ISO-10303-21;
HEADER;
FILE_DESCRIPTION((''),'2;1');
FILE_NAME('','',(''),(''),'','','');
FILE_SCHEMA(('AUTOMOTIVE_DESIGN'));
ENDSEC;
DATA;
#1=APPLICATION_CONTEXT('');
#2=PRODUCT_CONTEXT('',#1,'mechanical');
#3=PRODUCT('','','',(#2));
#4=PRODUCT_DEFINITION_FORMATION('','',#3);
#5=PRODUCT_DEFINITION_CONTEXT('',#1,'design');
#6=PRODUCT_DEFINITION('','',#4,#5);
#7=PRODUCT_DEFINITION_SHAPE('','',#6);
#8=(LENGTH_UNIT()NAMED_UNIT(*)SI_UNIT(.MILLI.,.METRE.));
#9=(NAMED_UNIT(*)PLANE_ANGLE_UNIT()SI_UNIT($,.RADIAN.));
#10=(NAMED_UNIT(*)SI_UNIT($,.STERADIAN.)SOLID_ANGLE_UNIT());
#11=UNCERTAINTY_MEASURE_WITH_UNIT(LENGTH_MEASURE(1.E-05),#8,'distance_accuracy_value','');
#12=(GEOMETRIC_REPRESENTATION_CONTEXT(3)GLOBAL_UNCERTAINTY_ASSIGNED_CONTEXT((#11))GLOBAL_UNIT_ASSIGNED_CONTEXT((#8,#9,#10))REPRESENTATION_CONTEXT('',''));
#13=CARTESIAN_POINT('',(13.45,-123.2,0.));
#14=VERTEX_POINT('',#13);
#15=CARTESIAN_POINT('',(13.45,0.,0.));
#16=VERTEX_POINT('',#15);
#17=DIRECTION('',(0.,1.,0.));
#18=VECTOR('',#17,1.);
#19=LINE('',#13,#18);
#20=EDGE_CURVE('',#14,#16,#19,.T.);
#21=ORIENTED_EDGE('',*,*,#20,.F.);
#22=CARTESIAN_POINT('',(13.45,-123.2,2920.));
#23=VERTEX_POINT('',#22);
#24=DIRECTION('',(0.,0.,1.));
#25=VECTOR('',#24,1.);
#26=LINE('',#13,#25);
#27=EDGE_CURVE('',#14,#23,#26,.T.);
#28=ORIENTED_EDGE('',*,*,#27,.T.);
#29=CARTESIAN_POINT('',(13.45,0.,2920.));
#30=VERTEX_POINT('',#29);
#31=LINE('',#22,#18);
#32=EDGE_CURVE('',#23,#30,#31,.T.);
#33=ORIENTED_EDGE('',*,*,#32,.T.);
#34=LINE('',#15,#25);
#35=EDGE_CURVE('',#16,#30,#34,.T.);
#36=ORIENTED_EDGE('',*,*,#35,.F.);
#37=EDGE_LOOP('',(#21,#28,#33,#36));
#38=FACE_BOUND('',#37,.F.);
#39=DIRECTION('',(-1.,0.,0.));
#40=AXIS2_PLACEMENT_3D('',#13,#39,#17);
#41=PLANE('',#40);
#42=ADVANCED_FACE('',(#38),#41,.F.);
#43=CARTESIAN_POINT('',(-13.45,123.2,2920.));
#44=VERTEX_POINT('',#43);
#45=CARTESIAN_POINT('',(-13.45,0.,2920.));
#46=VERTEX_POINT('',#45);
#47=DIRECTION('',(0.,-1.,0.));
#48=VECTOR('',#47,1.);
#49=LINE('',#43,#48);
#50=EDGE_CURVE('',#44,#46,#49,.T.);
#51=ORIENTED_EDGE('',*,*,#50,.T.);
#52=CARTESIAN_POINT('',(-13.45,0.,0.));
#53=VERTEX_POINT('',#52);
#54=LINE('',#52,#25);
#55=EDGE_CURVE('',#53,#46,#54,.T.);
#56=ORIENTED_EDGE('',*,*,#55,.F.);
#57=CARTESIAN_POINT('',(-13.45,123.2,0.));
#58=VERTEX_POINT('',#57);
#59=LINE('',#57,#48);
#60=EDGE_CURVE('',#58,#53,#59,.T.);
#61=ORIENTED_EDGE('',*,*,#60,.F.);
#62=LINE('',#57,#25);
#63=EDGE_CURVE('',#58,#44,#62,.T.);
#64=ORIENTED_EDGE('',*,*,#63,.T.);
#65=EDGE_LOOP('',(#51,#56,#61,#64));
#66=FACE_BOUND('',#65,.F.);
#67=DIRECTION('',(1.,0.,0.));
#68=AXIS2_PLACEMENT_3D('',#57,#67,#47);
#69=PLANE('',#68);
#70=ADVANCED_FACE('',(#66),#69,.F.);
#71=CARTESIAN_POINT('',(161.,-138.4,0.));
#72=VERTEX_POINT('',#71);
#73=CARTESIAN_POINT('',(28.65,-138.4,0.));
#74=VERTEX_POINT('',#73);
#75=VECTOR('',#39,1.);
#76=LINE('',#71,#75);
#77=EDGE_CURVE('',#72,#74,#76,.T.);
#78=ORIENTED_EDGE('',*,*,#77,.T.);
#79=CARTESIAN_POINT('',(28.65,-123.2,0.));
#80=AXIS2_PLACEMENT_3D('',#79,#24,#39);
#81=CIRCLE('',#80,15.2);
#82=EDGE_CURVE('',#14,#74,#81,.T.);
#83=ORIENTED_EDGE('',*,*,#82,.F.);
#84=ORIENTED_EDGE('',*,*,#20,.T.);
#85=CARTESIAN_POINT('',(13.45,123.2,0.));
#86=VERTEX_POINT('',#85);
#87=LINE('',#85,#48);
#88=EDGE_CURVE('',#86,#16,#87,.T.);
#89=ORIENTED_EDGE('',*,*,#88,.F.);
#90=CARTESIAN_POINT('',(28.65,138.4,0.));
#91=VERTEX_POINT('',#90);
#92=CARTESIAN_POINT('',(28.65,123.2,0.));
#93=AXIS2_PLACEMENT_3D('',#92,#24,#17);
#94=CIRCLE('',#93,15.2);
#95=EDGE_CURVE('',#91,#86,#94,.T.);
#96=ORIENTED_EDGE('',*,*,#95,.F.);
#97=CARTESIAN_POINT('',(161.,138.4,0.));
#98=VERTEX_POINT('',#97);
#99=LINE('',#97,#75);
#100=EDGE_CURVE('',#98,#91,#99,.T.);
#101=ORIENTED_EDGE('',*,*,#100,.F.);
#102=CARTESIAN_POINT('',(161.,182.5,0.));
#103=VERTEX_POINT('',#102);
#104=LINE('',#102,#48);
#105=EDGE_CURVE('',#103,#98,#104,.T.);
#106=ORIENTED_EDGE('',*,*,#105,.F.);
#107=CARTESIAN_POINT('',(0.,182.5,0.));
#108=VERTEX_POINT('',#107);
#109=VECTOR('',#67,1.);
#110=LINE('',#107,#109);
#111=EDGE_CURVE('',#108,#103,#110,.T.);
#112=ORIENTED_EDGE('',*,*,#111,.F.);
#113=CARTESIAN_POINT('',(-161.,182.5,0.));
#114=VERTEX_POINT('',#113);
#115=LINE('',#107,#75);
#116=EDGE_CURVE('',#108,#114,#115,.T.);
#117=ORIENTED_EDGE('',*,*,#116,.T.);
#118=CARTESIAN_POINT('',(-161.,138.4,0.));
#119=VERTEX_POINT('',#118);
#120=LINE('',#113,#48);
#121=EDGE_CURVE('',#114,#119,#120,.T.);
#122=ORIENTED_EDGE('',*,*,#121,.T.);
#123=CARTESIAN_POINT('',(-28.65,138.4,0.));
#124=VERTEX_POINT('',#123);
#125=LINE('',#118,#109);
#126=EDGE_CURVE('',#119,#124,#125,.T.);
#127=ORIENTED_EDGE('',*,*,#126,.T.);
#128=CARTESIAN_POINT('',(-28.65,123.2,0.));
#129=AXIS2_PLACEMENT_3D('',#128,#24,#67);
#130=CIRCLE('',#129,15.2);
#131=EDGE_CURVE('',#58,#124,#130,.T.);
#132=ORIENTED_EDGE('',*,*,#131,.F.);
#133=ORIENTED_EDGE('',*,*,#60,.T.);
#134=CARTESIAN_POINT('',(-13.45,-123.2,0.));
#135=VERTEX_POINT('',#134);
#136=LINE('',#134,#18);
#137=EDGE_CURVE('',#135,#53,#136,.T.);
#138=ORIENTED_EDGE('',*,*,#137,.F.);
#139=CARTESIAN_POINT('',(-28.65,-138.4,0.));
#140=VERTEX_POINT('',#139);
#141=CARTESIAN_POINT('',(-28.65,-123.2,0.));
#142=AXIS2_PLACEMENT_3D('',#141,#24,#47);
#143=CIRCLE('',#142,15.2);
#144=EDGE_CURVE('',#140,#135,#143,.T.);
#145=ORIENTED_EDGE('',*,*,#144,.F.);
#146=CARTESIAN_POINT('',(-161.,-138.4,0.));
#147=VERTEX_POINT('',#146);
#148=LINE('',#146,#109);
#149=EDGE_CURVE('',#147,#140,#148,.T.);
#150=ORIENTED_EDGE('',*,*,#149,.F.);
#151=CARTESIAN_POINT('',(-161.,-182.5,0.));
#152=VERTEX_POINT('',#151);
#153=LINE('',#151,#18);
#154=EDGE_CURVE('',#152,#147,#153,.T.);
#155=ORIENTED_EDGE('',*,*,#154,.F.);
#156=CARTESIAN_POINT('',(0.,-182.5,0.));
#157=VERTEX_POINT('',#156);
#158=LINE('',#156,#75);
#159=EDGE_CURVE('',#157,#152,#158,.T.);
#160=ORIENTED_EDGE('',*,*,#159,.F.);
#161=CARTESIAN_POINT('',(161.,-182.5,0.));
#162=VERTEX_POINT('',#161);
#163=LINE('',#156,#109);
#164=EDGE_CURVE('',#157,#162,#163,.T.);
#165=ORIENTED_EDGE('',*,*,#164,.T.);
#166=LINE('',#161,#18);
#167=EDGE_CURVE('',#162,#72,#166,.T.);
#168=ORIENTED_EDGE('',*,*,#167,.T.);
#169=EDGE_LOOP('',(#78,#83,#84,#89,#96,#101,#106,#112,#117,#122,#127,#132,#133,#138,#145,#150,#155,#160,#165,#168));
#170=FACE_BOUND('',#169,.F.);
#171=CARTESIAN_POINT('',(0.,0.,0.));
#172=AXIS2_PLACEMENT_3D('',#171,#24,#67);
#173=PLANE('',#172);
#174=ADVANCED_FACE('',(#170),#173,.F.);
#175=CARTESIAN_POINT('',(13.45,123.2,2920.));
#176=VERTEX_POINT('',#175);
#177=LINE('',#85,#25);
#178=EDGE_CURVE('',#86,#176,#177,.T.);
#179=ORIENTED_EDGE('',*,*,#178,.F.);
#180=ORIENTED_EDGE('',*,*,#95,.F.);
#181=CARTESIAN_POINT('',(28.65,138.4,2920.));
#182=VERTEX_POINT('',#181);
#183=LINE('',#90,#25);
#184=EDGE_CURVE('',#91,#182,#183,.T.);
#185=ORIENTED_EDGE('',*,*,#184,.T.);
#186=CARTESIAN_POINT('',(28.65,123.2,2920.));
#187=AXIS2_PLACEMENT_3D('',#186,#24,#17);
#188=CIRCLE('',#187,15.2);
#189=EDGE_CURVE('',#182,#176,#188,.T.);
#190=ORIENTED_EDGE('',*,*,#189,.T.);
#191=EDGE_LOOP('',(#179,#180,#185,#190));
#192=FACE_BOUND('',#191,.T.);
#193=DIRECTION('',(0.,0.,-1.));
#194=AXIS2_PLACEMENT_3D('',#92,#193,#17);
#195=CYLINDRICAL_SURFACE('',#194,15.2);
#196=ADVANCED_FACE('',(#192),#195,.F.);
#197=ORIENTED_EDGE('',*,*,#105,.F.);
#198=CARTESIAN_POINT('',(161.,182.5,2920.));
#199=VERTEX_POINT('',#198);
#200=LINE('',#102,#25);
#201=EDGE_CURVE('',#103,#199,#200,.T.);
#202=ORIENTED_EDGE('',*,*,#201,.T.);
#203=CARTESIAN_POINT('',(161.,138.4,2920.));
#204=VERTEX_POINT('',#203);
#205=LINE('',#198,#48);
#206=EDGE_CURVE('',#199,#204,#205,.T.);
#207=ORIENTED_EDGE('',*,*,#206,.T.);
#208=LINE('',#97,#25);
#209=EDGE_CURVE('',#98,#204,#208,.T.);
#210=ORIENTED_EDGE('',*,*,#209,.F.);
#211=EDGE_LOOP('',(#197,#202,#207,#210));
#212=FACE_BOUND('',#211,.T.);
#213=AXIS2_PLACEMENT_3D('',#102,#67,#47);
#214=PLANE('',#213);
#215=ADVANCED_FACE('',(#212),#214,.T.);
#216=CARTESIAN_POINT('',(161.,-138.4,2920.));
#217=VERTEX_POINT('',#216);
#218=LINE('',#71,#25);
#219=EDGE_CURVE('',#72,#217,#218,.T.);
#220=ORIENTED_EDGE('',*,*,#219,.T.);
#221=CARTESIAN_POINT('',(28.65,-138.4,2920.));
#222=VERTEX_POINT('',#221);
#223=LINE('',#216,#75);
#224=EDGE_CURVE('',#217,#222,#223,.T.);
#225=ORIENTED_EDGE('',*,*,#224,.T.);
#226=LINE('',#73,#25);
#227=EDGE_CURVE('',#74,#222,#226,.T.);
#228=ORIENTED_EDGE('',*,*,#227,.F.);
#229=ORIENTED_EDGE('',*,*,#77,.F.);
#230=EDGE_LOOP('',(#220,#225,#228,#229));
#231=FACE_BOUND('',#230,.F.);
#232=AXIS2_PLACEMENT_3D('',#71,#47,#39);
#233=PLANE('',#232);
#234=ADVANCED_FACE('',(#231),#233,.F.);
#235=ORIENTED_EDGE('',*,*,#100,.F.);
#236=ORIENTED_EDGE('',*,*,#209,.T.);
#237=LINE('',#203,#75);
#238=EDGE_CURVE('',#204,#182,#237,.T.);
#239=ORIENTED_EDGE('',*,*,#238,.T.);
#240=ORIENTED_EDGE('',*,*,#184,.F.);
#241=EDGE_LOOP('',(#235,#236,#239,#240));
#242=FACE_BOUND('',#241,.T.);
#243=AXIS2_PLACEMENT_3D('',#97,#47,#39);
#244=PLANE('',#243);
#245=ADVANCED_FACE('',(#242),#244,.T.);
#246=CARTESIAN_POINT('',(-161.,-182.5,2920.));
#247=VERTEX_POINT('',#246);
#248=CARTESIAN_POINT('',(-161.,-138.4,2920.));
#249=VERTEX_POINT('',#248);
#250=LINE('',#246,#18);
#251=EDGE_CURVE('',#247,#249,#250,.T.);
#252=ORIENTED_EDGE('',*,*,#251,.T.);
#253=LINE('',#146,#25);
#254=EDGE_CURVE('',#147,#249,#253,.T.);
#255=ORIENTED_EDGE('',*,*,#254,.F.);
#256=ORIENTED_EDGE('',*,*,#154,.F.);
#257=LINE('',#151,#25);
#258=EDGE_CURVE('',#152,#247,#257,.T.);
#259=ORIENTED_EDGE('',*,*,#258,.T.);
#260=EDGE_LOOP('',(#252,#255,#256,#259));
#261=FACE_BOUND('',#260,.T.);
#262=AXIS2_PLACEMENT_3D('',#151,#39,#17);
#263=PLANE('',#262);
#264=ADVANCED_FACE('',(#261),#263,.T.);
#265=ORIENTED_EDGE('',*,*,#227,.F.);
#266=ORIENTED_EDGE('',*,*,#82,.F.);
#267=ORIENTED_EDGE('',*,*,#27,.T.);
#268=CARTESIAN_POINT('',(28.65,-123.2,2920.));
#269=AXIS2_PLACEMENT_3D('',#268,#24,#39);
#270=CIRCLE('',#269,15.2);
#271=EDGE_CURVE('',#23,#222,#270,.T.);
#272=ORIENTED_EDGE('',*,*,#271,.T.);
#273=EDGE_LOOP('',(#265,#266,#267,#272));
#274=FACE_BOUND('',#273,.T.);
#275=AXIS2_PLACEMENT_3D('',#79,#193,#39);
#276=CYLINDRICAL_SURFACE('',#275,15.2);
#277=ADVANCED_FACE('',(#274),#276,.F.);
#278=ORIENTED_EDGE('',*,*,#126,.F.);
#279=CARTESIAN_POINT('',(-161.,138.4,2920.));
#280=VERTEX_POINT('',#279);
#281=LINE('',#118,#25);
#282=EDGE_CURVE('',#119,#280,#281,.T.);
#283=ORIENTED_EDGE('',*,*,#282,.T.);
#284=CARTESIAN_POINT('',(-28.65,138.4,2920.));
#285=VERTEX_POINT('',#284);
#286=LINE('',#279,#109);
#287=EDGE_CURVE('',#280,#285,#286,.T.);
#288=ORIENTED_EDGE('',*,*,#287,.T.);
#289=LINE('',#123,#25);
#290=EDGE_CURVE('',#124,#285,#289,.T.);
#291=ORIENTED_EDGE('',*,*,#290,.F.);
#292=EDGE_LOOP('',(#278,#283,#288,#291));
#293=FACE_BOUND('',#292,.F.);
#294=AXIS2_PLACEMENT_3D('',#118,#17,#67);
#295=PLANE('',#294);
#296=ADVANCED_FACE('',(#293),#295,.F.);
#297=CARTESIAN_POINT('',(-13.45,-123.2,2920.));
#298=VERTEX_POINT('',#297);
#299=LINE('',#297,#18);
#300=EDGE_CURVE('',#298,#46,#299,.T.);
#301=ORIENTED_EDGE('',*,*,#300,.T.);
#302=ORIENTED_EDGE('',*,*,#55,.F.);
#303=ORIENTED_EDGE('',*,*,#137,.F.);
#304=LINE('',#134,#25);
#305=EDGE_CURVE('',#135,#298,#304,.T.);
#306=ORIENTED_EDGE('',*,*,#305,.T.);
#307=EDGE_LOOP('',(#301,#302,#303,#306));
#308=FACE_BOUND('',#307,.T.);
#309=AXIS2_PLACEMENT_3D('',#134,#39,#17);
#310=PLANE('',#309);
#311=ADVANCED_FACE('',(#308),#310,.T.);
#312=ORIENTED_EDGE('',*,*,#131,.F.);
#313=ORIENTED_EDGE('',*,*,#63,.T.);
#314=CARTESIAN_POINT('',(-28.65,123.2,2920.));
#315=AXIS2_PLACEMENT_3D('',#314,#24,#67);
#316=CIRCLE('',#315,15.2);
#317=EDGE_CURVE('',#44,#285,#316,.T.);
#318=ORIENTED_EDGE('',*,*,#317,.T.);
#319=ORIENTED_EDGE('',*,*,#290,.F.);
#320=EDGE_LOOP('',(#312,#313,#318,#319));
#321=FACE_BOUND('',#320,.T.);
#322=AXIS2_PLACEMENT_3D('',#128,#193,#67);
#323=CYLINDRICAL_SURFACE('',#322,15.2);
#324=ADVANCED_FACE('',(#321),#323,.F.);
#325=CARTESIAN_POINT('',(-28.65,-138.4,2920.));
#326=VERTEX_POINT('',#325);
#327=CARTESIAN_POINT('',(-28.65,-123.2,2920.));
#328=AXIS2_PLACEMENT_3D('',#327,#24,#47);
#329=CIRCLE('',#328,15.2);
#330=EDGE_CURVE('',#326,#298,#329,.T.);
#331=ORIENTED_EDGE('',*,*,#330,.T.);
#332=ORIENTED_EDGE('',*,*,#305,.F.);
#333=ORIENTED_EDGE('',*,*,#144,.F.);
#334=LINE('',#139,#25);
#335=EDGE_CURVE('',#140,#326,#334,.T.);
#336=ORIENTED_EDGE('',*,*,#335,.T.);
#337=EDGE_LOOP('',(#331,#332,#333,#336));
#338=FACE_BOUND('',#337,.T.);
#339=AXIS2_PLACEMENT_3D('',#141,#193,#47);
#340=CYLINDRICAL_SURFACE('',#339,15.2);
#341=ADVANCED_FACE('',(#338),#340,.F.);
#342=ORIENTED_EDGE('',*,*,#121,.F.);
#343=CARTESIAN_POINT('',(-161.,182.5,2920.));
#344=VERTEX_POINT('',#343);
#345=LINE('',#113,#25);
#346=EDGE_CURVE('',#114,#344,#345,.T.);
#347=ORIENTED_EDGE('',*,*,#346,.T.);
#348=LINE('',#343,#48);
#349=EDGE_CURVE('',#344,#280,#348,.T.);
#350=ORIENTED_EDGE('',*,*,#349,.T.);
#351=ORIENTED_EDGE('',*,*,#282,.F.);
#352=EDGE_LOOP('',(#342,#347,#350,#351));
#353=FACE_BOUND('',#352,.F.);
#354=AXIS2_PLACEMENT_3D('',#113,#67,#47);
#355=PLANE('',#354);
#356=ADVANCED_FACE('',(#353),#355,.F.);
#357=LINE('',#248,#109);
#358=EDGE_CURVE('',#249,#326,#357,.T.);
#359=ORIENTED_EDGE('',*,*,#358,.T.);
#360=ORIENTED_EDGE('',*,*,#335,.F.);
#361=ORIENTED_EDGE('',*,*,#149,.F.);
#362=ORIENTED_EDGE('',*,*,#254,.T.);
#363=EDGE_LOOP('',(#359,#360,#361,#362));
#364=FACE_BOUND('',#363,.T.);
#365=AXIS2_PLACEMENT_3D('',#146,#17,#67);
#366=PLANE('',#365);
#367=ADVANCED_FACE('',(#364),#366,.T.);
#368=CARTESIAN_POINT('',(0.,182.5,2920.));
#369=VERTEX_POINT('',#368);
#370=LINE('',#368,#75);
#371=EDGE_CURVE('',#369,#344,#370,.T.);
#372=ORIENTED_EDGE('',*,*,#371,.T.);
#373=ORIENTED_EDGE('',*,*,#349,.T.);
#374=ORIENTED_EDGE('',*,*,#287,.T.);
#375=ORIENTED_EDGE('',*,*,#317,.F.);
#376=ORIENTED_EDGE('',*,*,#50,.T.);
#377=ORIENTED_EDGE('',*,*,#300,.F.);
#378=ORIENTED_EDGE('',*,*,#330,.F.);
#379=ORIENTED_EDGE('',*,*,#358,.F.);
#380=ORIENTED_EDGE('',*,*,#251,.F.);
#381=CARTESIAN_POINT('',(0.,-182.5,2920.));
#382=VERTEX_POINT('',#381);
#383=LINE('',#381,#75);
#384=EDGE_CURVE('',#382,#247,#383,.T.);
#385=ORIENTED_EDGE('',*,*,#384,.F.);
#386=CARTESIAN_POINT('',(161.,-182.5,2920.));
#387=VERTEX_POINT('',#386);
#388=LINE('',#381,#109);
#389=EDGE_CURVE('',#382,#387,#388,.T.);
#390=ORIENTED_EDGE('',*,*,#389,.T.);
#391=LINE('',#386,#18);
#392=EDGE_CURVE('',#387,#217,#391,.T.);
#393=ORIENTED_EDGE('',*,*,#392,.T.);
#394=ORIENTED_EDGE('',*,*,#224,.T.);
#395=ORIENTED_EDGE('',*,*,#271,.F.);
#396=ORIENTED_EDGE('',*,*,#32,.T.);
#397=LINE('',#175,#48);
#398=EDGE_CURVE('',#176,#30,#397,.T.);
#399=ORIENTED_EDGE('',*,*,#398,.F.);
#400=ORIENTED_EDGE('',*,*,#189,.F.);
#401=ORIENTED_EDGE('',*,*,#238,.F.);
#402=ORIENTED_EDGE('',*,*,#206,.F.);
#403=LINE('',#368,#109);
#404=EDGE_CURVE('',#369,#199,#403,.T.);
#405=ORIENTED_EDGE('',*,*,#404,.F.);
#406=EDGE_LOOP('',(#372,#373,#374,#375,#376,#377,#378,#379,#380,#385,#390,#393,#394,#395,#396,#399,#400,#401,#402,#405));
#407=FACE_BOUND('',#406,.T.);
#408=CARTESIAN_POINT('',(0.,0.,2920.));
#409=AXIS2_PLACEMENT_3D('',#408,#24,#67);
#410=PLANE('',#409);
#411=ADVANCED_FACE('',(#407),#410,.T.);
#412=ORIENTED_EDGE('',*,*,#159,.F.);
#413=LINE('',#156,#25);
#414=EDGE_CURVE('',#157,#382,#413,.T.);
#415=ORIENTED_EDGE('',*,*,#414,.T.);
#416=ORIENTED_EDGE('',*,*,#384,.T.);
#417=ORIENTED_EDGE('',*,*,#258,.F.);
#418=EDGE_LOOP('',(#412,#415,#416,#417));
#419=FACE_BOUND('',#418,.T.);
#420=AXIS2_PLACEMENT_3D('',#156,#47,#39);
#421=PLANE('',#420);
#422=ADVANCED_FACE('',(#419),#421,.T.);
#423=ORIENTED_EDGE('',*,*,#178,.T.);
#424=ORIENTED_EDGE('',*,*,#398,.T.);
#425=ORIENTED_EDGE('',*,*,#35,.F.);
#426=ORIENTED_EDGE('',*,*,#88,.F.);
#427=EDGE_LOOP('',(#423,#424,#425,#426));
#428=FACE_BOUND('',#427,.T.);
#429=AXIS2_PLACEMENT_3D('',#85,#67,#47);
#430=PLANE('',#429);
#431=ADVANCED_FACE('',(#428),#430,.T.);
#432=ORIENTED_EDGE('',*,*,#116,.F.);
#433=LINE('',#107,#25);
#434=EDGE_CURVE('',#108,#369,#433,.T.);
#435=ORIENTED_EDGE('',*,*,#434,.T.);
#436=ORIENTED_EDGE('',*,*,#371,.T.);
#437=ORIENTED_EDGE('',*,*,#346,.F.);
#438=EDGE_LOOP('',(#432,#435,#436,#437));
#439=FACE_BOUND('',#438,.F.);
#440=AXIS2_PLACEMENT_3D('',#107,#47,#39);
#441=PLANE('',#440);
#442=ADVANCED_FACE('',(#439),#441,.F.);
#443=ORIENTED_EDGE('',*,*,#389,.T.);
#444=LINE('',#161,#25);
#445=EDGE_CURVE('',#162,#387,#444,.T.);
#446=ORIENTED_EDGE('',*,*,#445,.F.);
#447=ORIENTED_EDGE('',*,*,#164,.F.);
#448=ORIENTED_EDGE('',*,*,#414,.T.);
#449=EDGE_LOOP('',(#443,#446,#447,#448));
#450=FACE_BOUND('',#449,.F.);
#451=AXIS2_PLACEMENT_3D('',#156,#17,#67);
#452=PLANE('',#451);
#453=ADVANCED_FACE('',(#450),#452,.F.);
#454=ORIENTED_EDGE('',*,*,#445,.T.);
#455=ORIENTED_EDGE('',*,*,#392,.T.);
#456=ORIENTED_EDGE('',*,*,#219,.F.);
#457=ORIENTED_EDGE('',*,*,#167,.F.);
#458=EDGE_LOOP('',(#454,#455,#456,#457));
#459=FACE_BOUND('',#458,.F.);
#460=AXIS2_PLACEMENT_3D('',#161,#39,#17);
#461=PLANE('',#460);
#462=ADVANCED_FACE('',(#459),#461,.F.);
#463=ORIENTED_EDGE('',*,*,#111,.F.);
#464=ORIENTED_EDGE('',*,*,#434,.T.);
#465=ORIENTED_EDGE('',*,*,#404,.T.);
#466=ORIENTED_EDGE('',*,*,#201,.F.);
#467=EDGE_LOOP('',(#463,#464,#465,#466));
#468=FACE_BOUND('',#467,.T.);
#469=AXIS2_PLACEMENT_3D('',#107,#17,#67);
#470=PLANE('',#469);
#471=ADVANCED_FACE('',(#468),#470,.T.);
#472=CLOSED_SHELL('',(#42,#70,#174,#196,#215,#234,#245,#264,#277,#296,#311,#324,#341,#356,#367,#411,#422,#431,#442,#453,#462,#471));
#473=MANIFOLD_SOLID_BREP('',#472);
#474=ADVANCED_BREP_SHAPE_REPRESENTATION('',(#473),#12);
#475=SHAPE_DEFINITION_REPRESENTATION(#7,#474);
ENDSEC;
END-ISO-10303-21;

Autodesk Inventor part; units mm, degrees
ref_plane "YZ Plane" through (0, 0, 0) normal (1, 0, 0) x (0, 1, 0)
ref_plane "Start plane" through (0, 0, 0) normal (0, 0, 1) x (1, 0, 0)
ref_plane "End plane" through (0, 0, 2920) normal (0, 0, 1) x (1, 0, 0)
sketch "Sketch" plane through (0, 0, 0) normal (0, 0, 1) x (1, 0, 0)
  line L0 (-161, -182.5) -> (-161, -138.4)
  line L1 (-161, -138.4) -> (-28.65, -138.4)
  line L2 (-13.45, -123.2) -> (-13.45, 0)
  line L3 (-13.45, 0) -> (0, 0) construction
  line L4 (0, 0) -> (0, -182.5) construction
  line L5 (0, -182.5) -> (-161, -182.5)
  line L6 (-60, 0) -> (80, 0) construction
  line L7 (0, -60) -> (0, 80) construction
  line L8 (161, -182.5) -> (161, -138.4)
  line L9 (161, -138.4) -> (28.65, -138.4)
  line L10 (13.45, -123.2) -> (13.45, 0)
  line L11 (13.45, 0) -> (0, 0) construction
  line L12 (0, -182.5) -> (161, -182.5)
  line L13 (-161, 182.5) -> (-161, 138.4)
  line L14 (-161, 138.4) -> (-28.65, 138.4)
  line L15 (-13.45, 123.2) -> (-13.45, 0)
  line L16 (0, 182.5) -> (-161, 182.5)
  line L17 (161, 182.5) -> (161, 138.4)
  line L18 (161, 138.4) -> (28.65, 138.4)
  line L19 (0, 182.5) -> (161, 182.5)
  line L20 (13.45, 123.2) -> (13.45, 0)
  arc A0 (-13.45, 123.2) -> (-28.65, 138.4) centre (-28.65, 123.2) ccw
  arc A1 (28.65, 138.4) -> (13.45, 123.2) centre (28.65, 123.2) ccw
  arc A2 (13.45, -123.2) -> (28.65, -138.4) centre (28.65, -123.2) ccw
  arc A3 (-28.65, -138.4) -> (-13.45, -123.2) centre (-28.65, -123.2) ccw
  line L21 (0, 108) -> (0, -88) construction
  line L22 (-88, 0) -> (108, 0) construction
  point P0 (-13.45, -138.4)
  point P1 (13.45, -138.4)
  point P2 (-13.45, 138.4)
  point P3 (13.45, 138.4)
  dimension "d1" = 182.5
  dimension "d2" = 44.1
  dimension "d3" = 161
  dimension "d4" = 13.45
  dimension "d10" = 15.2
extrude "Body" add sketch "Sketch" along normal up to surface (2920 mm away) from surface at 0
sketch "Sketch4" plane through (0, 0, 0) normal (0, 0, 1) x (1, 0, 0)
  line L0 (0, 0) -> (10, 0)
ref_plane "Work Plane3" through (0, 0, 0) normal (0, -1, 0) x (1, 0, 0)
sketch "Sketch5" plane through (0, 0, 0) normal (0, -1, 0) x (1, 0, 0)
  line L0 (-2, 0) -> (12, 0) projected
  line L1 (-2, 2920) -> (12, 2920) projected
  dimension "d14" = 2920
equation "\"d1\" = 0.5 * G_H"
equation "\"d2\" = G_T1"
equation "\"d3\" = 0.5 * G_W"
equation "\"d4\" = 0.5 * G_T"
equation "\"d10\" = G_IR"
equation "\"d5\" = G_L"
equation "\"G_W\" = 322"
equation "\"G_H\" = 365"
equation "\"G_T\" = 26.9"
equation "\"G_T1\" = 44.1"
equation "\"G_IR\" = 15.2"
equation "\"G_L\" = d14"
equation "\"G_OFFSET_START\" = 0"
equation "\"G_OFFSET_END\" = 0"
properties part number "AS 3679 - 310 UC - 283 - 2920" material "Steel, Mild"
